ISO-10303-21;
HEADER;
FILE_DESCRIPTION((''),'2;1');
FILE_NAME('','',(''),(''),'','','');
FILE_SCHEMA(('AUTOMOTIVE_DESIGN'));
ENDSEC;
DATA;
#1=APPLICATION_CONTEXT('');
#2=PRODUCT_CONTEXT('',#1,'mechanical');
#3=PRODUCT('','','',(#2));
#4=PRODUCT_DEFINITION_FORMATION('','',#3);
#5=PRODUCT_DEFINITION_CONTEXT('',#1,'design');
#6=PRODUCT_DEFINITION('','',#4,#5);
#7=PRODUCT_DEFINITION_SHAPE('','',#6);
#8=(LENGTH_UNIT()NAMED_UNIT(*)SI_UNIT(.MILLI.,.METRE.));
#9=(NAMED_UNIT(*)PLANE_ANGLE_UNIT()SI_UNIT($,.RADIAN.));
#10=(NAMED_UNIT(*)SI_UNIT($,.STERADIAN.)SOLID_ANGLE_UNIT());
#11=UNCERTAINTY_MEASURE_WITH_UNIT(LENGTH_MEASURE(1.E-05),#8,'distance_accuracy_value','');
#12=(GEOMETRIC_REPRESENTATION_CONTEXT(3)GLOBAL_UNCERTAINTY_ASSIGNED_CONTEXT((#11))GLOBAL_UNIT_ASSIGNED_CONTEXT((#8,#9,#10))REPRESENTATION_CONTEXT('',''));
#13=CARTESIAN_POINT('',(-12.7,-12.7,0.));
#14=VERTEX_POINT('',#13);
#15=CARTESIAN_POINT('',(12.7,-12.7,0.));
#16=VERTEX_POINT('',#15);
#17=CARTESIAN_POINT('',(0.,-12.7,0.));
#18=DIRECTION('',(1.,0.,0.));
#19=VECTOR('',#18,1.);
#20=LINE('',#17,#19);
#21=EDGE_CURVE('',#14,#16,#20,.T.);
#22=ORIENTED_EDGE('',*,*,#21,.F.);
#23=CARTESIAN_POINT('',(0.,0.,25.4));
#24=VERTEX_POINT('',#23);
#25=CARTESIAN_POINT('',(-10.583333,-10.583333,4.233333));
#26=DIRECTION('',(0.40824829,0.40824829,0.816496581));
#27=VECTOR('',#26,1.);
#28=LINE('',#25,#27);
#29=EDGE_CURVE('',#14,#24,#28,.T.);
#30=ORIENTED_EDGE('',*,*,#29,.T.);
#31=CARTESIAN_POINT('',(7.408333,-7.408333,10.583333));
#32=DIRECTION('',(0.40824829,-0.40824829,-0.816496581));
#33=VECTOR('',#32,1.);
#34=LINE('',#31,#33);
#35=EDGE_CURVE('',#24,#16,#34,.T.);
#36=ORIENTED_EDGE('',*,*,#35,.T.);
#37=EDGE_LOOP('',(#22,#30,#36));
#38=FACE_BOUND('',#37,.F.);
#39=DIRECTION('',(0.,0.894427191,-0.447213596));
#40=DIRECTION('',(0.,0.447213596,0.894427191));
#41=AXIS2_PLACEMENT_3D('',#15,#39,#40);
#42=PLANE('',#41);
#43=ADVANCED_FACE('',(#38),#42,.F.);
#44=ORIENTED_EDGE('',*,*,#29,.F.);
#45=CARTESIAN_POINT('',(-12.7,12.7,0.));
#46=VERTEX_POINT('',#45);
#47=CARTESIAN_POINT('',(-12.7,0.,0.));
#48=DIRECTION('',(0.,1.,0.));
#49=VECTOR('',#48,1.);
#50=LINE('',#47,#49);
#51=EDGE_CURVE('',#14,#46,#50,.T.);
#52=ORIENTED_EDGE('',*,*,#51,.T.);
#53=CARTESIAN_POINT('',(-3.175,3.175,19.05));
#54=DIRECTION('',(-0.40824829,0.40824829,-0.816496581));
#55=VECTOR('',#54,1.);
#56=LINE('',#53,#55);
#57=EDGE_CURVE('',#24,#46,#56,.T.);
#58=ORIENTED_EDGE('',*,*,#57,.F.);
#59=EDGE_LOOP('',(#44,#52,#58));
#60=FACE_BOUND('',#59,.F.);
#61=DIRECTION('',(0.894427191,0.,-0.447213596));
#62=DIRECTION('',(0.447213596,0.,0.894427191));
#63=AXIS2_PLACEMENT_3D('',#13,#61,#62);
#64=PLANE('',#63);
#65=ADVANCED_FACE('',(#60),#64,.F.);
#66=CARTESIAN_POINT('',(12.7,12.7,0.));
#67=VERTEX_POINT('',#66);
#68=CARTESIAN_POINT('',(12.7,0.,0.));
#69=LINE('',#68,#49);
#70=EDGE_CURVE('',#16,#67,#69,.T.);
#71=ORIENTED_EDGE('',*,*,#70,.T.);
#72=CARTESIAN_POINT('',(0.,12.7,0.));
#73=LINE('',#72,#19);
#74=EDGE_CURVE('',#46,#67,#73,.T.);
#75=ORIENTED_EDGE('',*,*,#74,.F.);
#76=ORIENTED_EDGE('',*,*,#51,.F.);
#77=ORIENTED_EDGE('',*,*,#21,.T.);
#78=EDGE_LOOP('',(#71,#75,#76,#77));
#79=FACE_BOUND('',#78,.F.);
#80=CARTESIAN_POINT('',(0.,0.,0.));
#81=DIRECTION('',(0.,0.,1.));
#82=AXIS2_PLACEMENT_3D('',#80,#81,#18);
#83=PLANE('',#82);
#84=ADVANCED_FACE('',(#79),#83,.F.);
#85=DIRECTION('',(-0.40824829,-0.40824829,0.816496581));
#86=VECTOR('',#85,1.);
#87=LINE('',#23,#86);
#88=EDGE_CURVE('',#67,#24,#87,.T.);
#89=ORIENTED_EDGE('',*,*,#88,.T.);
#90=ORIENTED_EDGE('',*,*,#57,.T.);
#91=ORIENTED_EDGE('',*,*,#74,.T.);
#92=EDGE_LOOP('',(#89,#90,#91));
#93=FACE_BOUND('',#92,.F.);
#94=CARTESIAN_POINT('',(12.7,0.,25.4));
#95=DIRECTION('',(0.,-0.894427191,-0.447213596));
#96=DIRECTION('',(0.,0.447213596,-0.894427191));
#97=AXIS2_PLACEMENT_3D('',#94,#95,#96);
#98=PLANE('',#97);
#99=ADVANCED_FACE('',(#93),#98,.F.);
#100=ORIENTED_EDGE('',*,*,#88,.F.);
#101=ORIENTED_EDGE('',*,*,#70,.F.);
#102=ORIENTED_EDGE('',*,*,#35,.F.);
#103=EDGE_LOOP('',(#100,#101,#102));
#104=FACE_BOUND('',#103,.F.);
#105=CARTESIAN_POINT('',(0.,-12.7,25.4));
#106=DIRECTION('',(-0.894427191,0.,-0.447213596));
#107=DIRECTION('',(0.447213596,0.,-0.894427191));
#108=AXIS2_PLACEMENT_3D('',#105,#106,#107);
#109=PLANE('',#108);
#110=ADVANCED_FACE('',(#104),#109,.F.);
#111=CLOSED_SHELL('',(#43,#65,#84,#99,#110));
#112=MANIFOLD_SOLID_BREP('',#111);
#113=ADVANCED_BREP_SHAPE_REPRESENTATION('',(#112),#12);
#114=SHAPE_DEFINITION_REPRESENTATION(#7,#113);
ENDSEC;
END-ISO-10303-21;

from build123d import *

# Parameters (mm, degrees)
F1_W     = 25.4
F1_H     = 25.4
F2_DEPTH = 25.4
F5_DEPTH = 25.4
F6_DEPTH = 25.4


with BuildPart() as f2:
    # F1 (on Top) → F2 (new body)
    with BuildSketch(Plane.XY):
        Rectangle(F1_W, F1_H)
    extrude(amount=F2_DEPTH)

    # F3 (on face) → F5 (cut)
    with BuildSketch(Plane.XZ.offset(12.7)):
        Polygon((-12.7, 25.4), (-12.7, 0), (0, 25.4), align=None)
        Polygon((12.7, 25.4), (0, 25.4), (12.7, 0), align=None)
    extrude(amount=-F5_DEPTH, mode=Mode.SUBTRACT)

    # F4 (on face) → F6 (cut)
    with BuildSketch(Plane.YZ.offset(12.7)):
        Polygon((-12.7, 25.4), (-12.7, 0), (0, 25.4), align=None)
        Polygon((12.7, 25.4), (0, 25.4), (12.7, 0), align=None)
    extrude(amount=-F6_DEPTH, mode=Mode.SUBTRACT)


solid = f2.part
